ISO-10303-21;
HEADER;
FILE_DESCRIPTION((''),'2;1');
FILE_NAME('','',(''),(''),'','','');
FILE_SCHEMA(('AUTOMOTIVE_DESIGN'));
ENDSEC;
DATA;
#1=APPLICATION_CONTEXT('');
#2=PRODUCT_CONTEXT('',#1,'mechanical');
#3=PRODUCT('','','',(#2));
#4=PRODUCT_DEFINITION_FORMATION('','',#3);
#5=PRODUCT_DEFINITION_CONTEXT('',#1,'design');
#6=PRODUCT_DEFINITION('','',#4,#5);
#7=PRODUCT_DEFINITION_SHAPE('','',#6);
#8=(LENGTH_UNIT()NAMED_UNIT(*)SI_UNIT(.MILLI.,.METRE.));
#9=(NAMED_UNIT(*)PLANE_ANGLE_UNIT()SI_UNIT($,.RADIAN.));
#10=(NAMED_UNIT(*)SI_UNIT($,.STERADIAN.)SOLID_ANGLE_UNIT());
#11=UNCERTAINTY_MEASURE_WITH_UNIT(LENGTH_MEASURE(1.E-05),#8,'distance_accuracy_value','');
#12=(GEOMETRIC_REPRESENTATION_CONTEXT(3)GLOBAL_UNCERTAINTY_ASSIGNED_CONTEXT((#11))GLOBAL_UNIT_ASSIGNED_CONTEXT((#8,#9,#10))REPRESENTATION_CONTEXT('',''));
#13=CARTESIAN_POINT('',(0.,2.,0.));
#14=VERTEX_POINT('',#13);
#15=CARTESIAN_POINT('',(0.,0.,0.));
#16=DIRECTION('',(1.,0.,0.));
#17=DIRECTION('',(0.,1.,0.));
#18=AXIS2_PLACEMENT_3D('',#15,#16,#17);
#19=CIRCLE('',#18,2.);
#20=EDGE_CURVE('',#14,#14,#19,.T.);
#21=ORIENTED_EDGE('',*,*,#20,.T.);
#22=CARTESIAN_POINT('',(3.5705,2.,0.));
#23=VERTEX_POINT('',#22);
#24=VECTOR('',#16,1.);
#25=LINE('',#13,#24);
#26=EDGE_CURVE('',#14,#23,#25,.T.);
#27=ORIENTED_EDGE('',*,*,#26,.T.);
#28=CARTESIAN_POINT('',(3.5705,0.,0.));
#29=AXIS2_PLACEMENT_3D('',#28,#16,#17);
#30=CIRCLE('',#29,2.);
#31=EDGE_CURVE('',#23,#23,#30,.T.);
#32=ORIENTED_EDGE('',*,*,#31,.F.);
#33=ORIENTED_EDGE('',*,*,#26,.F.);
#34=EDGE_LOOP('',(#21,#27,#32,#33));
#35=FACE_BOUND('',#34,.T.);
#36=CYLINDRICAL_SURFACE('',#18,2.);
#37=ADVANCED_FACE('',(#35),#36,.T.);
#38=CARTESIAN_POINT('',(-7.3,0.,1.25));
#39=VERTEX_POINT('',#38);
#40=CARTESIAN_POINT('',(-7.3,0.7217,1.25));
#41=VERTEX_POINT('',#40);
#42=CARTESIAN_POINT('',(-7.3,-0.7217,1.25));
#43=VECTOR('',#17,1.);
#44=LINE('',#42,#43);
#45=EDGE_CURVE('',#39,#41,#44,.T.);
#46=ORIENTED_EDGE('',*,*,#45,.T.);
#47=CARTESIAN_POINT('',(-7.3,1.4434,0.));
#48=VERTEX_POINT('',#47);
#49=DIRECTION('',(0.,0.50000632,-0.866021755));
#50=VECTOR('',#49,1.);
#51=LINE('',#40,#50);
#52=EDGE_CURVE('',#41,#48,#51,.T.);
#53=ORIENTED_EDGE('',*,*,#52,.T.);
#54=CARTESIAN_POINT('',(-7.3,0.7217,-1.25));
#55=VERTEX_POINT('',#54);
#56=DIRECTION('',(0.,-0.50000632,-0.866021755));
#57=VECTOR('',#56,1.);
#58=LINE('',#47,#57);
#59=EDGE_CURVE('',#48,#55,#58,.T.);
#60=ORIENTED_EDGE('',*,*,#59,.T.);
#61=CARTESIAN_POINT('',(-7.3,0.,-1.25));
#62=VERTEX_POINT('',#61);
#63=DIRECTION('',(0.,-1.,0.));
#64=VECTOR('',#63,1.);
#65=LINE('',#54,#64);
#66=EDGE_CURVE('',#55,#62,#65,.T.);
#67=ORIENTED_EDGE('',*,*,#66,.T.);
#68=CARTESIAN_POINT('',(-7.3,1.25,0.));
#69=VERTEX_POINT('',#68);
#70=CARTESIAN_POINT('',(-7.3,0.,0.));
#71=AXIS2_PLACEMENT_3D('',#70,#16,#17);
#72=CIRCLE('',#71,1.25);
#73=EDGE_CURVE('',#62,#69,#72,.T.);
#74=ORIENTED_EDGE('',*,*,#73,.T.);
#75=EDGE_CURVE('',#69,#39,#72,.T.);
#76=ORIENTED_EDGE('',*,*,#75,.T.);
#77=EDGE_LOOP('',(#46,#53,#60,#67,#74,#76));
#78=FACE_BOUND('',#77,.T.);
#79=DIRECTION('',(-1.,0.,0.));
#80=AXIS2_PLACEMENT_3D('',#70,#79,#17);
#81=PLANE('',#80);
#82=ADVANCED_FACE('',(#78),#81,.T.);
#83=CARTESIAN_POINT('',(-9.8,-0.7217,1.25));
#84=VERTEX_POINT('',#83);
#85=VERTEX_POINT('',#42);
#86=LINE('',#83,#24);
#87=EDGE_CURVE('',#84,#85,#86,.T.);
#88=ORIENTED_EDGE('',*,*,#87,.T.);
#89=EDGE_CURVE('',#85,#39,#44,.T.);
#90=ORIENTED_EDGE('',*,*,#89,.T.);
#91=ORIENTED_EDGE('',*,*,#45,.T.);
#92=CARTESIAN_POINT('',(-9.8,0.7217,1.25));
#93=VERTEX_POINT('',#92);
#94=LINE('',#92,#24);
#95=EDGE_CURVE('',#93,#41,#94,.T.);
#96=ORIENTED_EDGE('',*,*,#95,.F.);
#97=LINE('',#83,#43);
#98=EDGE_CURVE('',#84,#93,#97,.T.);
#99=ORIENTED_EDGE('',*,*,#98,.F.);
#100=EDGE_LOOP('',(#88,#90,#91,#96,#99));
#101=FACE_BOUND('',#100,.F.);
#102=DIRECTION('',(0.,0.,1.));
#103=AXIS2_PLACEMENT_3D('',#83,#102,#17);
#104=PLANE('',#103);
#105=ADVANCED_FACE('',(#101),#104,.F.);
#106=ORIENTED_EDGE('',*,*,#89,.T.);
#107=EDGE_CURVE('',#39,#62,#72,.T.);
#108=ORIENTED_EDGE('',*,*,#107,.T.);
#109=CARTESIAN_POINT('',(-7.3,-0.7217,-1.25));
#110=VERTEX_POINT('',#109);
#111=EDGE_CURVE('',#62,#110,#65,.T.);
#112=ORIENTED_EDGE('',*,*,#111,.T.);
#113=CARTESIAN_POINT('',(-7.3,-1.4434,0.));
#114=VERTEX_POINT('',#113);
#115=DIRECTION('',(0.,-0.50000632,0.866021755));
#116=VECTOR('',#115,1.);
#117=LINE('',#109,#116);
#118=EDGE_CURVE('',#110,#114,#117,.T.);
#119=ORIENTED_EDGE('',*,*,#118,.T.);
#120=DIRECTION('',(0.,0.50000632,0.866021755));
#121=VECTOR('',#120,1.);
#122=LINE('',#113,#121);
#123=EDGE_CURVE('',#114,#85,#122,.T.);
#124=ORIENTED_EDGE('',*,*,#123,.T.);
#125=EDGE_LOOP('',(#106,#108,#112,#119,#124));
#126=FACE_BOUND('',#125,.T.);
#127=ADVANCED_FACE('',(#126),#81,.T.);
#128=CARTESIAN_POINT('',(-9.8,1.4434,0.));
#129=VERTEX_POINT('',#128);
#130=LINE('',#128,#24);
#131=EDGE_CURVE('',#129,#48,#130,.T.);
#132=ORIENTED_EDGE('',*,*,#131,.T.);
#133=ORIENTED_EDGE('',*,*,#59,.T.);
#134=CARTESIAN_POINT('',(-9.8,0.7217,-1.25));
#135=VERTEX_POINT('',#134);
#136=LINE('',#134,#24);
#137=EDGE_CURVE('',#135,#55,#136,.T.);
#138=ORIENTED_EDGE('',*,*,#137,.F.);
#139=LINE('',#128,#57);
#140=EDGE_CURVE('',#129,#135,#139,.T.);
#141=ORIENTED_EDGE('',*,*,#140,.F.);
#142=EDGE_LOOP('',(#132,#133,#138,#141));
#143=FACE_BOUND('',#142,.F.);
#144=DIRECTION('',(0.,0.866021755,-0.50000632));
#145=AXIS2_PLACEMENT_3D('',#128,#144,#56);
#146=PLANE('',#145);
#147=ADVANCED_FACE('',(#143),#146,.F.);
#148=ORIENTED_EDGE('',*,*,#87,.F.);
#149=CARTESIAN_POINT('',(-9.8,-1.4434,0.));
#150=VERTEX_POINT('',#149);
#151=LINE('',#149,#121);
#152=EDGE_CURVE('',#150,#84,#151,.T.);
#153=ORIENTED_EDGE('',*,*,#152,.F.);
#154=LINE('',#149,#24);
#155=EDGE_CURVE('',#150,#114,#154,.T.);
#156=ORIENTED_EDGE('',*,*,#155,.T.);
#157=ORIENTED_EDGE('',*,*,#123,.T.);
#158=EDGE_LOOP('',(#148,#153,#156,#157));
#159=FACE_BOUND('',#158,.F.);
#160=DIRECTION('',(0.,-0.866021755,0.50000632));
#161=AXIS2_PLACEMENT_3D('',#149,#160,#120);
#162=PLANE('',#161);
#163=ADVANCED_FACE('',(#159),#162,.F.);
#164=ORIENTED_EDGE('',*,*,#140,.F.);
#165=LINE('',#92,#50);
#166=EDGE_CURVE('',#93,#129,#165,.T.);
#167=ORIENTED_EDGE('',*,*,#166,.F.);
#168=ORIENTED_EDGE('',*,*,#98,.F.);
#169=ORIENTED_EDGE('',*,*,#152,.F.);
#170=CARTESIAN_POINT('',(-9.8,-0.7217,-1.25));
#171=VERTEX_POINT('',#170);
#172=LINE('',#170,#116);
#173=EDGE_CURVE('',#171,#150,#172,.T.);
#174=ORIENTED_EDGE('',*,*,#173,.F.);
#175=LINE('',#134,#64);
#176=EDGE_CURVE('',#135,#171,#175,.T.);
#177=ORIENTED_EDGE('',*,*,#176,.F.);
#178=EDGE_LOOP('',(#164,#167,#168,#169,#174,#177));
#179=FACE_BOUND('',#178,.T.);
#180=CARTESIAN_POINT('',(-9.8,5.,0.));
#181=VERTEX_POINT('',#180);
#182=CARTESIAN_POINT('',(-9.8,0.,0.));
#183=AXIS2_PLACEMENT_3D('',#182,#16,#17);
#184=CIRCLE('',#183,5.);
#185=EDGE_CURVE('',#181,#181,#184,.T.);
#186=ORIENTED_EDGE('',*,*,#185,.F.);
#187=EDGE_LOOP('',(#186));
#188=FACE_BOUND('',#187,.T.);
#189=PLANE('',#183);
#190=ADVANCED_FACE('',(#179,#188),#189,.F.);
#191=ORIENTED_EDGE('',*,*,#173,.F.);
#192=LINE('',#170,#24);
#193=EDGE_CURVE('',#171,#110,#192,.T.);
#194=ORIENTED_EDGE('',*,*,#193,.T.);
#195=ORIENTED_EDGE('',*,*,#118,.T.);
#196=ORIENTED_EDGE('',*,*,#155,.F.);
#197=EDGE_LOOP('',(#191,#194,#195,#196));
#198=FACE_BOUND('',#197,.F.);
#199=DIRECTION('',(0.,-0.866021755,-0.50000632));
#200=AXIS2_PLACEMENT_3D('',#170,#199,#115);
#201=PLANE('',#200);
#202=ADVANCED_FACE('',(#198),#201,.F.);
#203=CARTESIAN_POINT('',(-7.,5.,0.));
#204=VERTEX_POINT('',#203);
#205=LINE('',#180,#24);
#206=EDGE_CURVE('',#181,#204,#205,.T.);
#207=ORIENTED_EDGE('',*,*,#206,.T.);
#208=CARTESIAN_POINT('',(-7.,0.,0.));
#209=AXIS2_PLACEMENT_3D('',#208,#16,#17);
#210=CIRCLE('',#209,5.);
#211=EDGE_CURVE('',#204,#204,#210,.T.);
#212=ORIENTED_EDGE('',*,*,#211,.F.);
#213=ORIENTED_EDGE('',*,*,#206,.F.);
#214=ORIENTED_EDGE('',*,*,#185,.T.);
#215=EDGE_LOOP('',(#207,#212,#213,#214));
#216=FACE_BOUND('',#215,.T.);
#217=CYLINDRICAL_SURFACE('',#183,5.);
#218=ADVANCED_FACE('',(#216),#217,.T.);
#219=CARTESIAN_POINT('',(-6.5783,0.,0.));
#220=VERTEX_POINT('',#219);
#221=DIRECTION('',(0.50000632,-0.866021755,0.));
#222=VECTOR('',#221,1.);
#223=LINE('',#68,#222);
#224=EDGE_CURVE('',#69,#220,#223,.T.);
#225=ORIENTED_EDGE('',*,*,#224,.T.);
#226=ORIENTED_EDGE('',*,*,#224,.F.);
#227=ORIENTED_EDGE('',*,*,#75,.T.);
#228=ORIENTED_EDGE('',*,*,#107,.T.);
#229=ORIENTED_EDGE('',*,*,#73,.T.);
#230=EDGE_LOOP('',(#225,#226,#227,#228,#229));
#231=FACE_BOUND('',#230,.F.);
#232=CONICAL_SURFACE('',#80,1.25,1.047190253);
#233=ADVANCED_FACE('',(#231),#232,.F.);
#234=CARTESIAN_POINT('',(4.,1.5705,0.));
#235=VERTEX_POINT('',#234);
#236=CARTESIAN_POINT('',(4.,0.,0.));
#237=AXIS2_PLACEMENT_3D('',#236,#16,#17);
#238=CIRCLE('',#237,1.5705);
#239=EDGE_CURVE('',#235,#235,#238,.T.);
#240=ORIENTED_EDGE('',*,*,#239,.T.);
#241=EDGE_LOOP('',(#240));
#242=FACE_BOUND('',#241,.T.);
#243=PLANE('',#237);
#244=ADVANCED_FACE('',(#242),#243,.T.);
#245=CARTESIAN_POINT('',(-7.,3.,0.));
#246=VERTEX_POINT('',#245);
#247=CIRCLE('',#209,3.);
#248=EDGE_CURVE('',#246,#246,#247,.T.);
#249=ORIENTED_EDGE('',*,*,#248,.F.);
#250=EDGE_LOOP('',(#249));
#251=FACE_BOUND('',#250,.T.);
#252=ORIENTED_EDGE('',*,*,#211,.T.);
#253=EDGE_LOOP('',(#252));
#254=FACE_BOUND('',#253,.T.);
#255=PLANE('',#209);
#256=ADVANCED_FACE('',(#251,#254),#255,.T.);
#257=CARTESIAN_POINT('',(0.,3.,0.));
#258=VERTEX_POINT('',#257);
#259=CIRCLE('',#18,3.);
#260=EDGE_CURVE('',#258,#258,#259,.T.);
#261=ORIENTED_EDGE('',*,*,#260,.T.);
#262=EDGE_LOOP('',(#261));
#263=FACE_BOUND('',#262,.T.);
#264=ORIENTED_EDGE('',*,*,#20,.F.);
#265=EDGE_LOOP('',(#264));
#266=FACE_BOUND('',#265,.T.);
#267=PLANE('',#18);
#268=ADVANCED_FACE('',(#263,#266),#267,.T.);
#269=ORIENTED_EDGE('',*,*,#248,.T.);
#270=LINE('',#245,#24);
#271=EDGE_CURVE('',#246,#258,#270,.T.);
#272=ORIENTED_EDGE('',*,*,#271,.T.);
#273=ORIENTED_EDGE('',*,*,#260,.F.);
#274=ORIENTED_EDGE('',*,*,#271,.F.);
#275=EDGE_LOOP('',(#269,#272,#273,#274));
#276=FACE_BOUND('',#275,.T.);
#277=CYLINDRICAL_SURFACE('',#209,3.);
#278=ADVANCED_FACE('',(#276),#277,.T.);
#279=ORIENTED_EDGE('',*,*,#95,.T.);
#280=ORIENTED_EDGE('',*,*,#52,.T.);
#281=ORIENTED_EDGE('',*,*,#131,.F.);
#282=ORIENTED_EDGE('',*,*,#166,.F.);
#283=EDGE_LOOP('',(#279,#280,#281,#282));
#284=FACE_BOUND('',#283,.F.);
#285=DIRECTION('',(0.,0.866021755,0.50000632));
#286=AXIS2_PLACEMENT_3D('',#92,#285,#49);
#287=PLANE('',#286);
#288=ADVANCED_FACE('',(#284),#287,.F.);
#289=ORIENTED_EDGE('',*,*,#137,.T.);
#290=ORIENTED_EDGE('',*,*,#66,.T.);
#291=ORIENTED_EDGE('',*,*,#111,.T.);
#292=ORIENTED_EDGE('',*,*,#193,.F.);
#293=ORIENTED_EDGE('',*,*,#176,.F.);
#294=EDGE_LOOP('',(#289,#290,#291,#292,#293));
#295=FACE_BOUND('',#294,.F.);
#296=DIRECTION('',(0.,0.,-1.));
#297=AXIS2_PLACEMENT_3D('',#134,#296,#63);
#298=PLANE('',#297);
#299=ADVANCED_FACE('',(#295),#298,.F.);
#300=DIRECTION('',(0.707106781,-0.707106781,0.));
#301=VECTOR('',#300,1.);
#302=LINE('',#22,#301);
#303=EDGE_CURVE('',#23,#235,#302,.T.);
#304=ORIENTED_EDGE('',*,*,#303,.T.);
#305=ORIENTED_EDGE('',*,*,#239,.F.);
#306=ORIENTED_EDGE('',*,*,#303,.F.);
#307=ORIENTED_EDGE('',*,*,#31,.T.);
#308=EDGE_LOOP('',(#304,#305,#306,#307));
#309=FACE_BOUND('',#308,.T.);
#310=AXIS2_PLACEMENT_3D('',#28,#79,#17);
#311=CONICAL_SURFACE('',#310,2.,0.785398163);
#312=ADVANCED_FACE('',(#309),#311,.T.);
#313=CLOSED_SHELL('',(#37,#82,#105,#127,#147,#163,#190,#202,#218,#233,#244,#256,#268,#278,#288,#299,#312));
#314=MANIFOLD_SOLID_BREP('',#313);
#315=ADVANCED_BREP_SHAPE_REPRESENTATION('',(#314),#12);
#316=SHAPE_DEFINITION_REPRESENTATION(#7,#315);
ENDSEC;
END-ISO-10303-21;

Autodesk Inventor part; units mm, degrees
ref_plane "YZ Plane" through (0, 0, 0) normal (1, 0, 0) x (0, 1, 0)
ref_plane "XZ Plane" through (0, 0, 0) normal (0, 1, 0) x (-1, 0, 0)
ref_plane "XY Plane" through (0, 0, 0) normal (0, 0, 1) x (1, 0, 0)
sketch "Sketch_1" plane through (0, 0, 0) normal (0, 0, 1) x (1, 0, 0)
  line L0 (4, 0) -> (-9.8, 0)
  line L1 (-9.8, 0) -> (-9.8, 5)
  line L2 (-9.8, 5) -> (-7, 5)
  line L3 (-7, 5) -> (-7, 3)
  line L4 (-7, 3) -> (0, 3)
  line L5 (0, 3) -> (0, 2)
  line L6 (0, 2) -> (3.5705, 2)
  line L7 (3.5705, 2) -> (4, 1.5705)
  line L8 (4, 1.5705) -> (4, 0)
  line L9 (4, 0) -> (-9.8, 0)
revolve "Revolution1" add sketch "Sketch_1" angle 360 about axis through (4, 0, 0) along (1, 0, 0)
thread "Thread1" size "M4x0.7" class "6g" standard "ISO Metric profile" length 2.3705
sketch "Sketch_2" plane through (-9.8, 0, 0) normal (-1, 0, 0) x (0, 1, 0)
  line L0 (-1.4434, 0) -> (-0.7217, -1.25)
  line L1 (-0.7217, -1.25) -> (0.7217, -1.25)
  line L2 (0.7217, -1.25) -> (1.4434, 0)
  line L3 (1.4434, 0) -> (0.7217, 1.25)
  line L4 (0.7217, 1.25) -> (-0.7217, 1.25)
  line L5 (-0.7217, 1.25) -> (-1.4434, 0)
extrude "Extrusion1" cut sketch "Sketch_2" against normal blind 2.5
sketch "Sketch_3" plane through (0, 0, 0) normal (0, 0, 1) x (1, 0, 0)
  line L0 (-6.5783, 0) -> (-7.3, 0)
  line L1 (-7.3, 0) -> (-7.3, 1.25)
  line L2 (-7.3, 1.25) -> (-6.5783, 0)
  line L3 (-6.5783, 0) -> (-7.3, 0)
revolve "Revolution2" cut sketch "Sketch_3" angle 360 about axis through (-6.5783, 0, 0) along (1, 0, 0)
properties part number "DBS4-7-4"
